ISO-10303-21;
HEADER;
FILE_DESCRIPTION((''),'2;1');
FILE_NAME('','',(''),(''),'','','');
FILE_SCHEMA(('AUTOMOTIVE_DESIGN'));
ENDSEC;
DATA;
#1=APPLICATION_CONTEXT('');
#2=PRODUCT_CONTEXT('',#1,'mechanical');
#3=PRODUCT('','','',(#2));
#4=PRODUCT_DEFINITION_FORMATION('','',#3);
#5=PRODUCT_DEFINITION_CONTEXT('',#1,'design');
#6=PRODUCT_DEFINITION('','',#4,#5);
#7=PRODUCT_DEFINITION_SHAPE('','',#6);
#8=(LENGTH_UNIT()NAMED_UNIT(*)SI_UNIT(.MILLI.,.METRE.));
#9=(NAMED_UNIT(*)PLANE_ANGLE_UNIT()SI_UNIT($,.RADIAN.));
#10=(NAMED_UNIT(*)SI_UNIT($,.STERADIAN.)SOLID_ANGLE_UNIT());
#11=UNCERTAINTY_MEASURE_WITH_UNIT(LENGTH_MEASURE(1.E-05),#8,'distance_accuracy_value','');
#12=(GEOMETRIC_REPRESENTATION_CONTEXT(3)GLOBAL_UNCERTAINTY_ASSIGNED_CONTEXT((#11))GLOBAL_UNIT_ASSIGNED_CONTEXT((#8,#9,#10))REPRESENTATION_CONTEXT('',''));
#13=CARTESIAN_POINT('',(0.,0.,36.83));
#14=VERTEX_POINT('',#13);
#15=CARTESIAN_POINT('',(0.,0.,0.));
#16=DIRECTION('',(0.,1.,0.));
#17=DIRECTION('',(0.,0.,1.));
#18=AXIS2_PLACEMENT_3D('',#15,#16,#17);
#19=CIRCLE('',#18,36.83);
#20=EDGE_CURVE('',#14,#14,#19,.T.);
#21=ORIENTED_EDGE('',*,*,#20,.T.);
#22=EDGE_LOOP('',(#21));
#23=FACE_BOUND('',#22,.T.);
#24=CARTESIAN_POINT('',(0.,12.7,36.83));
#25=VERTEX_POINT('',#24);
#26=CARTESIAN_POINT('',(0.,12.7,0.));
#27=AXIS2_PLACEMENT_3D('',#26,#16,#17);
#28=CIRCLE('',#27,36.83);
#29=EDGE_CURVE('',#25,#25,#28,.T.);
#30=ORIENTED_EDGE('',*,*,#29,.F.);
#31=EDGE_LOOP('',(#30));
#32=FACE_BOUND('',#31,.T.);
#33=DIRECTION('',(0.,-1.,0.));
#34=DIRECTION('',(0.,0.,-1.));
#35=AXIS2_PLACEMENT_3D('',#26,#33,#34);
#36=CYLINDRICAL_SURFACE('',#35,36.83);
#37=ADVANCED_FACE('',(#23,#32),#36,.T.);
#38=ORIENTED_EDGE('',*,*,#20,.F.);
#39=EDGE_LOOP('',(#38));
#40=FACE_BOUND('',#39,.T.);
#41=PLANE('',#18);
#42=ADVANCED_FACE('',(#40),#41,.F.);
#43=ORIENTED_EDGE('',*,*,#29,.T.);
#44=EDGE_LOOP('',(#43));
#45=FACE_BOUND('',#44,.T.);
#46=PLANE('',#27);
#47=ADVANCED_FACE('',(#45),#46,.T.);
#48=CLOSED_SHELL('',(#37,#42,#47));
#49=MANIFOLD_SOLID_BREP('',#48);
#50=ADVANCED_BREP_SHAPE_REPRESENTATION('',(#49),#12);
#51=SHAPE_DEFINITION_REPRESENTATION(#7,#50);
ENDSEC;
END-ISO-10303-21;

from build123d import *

# Parameters (mm, degrees)
SKETCH1_R           = 36.83
BOSS_EXTRUDE1_DEPTH = 12.7


with BuildPart() as part:
    # Sketch1 → Boss-Extrude1 (new body)
    with BuildSketch(Plane(origin=(0, 0, 0), x_dir=(1, 0, 0), z_dir=(0, 1, 0))):
        with Locations(Location((0, 0, 0), (0, 0, 270))):
            Circle(SKETCH1_R)
    extrude(amount=BOSS_EXTRUDE1_DEPTH)


solid = part.part
